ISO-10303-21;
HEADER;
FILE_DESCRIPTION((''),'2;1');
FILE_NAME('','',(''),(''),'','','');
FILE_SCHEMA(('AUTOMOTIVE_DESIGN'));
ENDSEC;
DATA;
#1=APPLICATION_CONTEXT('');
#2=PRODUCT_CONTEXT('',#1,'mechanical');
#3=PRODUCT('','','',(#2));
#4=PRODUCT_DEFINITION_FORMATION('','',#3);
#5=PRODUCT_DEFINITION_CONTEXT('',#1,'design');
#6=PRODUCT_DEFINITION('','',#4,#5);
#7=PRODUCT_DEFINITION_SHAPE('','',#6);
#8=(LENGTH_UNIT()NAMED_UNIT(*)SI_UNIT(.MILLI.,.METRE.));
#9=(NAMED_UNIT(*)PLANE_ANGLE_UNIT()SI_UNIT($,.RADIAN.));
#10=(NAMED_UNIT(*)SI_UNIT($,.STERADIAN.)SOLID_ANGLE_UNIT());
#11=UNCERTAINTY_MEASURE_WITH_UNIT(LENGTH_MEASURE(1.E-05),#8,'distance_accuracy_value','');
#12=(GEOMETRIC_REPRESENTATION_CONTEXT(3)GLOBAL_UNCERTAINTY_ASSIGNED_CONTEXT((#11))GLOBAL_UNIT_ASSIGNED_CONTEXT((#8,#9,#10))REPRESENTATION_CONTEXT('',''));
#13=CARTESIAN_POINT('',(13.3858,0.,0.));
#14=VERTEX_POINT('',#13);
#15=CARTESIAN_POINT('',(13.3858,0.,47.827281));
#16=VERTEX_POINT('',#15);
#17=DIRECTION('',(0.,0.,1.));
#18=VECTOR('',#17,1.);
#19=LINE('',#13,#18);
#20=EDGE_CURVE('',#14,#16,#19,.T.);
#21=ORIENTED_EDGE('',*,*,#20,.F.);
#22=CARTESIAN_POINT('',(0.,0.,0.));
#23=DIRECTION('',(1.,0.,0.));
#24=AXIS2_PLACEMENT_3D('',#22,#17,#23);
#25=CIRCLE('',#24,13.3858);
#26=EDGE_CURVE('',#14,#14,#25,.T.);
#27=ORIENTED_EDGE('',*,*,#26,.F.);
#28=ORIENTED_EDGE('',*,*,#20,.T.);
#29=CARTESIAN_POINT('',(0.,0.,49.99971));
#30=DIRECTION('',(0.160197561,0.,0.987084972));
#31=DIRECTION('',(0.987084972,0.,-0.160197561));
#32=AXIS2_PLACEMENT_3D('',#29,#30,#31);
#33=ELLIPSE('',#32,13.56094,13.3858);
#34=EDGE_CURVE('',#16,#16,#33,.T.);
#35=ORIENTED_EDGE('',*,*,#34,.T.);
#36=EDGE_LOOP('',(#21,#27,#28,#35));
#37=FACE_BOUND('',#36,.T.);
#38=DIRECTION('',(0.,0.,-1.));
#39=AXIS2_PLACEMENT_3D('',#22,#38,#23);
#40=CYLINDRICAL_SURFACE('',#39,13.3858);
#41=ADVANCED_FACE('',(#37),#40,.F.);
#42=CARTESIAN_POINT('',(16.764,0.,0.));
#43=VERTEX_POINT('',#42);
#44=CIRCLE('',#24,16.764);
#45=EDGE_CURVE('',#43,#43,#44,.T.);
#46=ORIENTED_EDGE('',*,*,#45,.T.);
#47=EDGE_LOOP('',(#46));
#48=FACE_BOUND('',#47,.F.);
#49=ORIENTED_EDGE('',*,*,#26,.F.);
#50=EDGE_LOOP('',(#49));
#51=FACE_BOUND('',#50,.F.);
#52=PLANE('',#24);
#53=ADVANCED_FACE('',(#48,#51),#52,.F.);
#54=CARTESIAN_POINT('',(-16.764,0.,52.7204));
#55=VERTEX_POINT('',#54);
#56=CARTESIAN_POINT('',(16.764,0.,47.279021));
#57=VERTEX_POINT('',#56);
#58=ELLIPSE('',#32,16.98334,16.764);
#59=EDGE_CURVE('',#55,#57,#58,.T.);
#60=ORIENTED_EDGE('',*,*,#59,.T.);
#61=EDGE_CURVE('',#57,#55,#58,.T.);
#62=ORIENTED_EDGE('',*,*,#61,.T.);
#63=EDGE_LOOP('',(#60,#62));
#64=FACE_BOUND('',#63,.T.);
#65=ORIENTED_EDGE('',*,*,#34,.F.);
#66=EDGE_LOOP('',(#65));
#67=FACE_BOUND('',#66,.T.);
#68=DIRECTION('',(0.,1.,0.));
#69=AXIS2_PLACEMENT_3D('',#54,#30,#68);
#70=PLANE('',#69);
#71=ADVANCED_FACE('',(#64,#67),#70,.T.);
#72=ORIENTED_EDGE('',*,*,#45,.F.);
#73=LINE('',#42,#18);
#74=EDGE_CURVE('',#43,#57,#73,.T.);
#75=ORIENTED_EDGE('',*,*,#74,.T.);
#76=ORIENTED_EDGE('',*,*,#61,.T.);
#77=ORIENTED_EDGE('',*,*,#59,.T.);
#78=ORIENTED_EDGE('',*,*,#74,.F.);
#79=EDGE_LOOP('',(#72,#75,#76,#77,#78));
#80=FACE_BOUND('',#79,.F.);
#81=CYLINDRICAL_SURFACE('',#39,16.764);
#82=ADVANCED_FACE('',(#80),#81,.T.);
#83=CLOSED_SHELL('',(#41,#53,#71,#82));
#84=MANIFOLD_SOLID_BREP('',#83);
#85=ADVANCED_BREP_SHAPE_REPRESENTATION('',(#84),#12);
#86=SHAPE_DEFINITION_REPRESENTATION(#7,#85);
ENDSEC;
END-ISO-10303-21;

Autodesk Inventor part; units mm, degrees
ref_plane "Start plane" through (0, 0, 0) normal (0, 0, 1) x (1, 0, 0)
ref_plane "End plane" through (0, 0, 52.7204) normal (0, 0, 1) x (1, 0, 0)
sketch "Sketch" plane through (0, 0, 0) normal (0, 0, 1) x (1, 0, 0)
  circle A0 centre (0, 0) radius 13.3858
  circle A1 centre (0, 0) radius 16.764
  dimension "d0" = 33.528
  dimension "d1" = 3.3782
extrude "Body" add sketch "Sketch" along normal up to surface (52.7204 mm away) from surface at 0
sketch "Sketch3" plane through (0, 0, 0) normal (0, 0, 1) x (1, 0, 0)
  line L0 (0, 0) -> (10, 0)
ref_plane "Work Plane3" through (0, 0, 0) normal (0, -1, 0) x (1, 0, 0)
ref_plane "Work Plane4" through (-16.764, 0, 52.7204) normal (0.1602, 0, 0.9871) x (0.9871, 0, -0.1602)
split "Split1" plane through (-16.764, 0, 52.7204) removes the side toward (0.1602, 0, 0.9871)
sketch "Sketch4" plane through (0, 0, 0) normal (0, -1, 0) x (1, 0, 0)
  line L0 (-2, 0) -> (12, 0) projected
  line L1 (-2, 52.7204) -> (12, 52.7204) projected
  dimension "d7" = 52.7204
equation "\"d0\" = G_H"
equation "\"d1\" = G_T"
equation "\"d2\" = G_L"
equation "\"G_H\" = 33.528"
equation "\"G_T\" = 3.3782"
equation "\"G_L\" = d7"
equation "\"G_OFFSET_START\" = 0"
equation "\"G_OFFSET_END\" = 2.72042"
equation "\"d5\" = G_OFFSET_END + B_L"
equation "\"B_L\" = 50"
properties part number "ANSI - 1 x 0.133 - 2.076" material "Steel, Mild"
